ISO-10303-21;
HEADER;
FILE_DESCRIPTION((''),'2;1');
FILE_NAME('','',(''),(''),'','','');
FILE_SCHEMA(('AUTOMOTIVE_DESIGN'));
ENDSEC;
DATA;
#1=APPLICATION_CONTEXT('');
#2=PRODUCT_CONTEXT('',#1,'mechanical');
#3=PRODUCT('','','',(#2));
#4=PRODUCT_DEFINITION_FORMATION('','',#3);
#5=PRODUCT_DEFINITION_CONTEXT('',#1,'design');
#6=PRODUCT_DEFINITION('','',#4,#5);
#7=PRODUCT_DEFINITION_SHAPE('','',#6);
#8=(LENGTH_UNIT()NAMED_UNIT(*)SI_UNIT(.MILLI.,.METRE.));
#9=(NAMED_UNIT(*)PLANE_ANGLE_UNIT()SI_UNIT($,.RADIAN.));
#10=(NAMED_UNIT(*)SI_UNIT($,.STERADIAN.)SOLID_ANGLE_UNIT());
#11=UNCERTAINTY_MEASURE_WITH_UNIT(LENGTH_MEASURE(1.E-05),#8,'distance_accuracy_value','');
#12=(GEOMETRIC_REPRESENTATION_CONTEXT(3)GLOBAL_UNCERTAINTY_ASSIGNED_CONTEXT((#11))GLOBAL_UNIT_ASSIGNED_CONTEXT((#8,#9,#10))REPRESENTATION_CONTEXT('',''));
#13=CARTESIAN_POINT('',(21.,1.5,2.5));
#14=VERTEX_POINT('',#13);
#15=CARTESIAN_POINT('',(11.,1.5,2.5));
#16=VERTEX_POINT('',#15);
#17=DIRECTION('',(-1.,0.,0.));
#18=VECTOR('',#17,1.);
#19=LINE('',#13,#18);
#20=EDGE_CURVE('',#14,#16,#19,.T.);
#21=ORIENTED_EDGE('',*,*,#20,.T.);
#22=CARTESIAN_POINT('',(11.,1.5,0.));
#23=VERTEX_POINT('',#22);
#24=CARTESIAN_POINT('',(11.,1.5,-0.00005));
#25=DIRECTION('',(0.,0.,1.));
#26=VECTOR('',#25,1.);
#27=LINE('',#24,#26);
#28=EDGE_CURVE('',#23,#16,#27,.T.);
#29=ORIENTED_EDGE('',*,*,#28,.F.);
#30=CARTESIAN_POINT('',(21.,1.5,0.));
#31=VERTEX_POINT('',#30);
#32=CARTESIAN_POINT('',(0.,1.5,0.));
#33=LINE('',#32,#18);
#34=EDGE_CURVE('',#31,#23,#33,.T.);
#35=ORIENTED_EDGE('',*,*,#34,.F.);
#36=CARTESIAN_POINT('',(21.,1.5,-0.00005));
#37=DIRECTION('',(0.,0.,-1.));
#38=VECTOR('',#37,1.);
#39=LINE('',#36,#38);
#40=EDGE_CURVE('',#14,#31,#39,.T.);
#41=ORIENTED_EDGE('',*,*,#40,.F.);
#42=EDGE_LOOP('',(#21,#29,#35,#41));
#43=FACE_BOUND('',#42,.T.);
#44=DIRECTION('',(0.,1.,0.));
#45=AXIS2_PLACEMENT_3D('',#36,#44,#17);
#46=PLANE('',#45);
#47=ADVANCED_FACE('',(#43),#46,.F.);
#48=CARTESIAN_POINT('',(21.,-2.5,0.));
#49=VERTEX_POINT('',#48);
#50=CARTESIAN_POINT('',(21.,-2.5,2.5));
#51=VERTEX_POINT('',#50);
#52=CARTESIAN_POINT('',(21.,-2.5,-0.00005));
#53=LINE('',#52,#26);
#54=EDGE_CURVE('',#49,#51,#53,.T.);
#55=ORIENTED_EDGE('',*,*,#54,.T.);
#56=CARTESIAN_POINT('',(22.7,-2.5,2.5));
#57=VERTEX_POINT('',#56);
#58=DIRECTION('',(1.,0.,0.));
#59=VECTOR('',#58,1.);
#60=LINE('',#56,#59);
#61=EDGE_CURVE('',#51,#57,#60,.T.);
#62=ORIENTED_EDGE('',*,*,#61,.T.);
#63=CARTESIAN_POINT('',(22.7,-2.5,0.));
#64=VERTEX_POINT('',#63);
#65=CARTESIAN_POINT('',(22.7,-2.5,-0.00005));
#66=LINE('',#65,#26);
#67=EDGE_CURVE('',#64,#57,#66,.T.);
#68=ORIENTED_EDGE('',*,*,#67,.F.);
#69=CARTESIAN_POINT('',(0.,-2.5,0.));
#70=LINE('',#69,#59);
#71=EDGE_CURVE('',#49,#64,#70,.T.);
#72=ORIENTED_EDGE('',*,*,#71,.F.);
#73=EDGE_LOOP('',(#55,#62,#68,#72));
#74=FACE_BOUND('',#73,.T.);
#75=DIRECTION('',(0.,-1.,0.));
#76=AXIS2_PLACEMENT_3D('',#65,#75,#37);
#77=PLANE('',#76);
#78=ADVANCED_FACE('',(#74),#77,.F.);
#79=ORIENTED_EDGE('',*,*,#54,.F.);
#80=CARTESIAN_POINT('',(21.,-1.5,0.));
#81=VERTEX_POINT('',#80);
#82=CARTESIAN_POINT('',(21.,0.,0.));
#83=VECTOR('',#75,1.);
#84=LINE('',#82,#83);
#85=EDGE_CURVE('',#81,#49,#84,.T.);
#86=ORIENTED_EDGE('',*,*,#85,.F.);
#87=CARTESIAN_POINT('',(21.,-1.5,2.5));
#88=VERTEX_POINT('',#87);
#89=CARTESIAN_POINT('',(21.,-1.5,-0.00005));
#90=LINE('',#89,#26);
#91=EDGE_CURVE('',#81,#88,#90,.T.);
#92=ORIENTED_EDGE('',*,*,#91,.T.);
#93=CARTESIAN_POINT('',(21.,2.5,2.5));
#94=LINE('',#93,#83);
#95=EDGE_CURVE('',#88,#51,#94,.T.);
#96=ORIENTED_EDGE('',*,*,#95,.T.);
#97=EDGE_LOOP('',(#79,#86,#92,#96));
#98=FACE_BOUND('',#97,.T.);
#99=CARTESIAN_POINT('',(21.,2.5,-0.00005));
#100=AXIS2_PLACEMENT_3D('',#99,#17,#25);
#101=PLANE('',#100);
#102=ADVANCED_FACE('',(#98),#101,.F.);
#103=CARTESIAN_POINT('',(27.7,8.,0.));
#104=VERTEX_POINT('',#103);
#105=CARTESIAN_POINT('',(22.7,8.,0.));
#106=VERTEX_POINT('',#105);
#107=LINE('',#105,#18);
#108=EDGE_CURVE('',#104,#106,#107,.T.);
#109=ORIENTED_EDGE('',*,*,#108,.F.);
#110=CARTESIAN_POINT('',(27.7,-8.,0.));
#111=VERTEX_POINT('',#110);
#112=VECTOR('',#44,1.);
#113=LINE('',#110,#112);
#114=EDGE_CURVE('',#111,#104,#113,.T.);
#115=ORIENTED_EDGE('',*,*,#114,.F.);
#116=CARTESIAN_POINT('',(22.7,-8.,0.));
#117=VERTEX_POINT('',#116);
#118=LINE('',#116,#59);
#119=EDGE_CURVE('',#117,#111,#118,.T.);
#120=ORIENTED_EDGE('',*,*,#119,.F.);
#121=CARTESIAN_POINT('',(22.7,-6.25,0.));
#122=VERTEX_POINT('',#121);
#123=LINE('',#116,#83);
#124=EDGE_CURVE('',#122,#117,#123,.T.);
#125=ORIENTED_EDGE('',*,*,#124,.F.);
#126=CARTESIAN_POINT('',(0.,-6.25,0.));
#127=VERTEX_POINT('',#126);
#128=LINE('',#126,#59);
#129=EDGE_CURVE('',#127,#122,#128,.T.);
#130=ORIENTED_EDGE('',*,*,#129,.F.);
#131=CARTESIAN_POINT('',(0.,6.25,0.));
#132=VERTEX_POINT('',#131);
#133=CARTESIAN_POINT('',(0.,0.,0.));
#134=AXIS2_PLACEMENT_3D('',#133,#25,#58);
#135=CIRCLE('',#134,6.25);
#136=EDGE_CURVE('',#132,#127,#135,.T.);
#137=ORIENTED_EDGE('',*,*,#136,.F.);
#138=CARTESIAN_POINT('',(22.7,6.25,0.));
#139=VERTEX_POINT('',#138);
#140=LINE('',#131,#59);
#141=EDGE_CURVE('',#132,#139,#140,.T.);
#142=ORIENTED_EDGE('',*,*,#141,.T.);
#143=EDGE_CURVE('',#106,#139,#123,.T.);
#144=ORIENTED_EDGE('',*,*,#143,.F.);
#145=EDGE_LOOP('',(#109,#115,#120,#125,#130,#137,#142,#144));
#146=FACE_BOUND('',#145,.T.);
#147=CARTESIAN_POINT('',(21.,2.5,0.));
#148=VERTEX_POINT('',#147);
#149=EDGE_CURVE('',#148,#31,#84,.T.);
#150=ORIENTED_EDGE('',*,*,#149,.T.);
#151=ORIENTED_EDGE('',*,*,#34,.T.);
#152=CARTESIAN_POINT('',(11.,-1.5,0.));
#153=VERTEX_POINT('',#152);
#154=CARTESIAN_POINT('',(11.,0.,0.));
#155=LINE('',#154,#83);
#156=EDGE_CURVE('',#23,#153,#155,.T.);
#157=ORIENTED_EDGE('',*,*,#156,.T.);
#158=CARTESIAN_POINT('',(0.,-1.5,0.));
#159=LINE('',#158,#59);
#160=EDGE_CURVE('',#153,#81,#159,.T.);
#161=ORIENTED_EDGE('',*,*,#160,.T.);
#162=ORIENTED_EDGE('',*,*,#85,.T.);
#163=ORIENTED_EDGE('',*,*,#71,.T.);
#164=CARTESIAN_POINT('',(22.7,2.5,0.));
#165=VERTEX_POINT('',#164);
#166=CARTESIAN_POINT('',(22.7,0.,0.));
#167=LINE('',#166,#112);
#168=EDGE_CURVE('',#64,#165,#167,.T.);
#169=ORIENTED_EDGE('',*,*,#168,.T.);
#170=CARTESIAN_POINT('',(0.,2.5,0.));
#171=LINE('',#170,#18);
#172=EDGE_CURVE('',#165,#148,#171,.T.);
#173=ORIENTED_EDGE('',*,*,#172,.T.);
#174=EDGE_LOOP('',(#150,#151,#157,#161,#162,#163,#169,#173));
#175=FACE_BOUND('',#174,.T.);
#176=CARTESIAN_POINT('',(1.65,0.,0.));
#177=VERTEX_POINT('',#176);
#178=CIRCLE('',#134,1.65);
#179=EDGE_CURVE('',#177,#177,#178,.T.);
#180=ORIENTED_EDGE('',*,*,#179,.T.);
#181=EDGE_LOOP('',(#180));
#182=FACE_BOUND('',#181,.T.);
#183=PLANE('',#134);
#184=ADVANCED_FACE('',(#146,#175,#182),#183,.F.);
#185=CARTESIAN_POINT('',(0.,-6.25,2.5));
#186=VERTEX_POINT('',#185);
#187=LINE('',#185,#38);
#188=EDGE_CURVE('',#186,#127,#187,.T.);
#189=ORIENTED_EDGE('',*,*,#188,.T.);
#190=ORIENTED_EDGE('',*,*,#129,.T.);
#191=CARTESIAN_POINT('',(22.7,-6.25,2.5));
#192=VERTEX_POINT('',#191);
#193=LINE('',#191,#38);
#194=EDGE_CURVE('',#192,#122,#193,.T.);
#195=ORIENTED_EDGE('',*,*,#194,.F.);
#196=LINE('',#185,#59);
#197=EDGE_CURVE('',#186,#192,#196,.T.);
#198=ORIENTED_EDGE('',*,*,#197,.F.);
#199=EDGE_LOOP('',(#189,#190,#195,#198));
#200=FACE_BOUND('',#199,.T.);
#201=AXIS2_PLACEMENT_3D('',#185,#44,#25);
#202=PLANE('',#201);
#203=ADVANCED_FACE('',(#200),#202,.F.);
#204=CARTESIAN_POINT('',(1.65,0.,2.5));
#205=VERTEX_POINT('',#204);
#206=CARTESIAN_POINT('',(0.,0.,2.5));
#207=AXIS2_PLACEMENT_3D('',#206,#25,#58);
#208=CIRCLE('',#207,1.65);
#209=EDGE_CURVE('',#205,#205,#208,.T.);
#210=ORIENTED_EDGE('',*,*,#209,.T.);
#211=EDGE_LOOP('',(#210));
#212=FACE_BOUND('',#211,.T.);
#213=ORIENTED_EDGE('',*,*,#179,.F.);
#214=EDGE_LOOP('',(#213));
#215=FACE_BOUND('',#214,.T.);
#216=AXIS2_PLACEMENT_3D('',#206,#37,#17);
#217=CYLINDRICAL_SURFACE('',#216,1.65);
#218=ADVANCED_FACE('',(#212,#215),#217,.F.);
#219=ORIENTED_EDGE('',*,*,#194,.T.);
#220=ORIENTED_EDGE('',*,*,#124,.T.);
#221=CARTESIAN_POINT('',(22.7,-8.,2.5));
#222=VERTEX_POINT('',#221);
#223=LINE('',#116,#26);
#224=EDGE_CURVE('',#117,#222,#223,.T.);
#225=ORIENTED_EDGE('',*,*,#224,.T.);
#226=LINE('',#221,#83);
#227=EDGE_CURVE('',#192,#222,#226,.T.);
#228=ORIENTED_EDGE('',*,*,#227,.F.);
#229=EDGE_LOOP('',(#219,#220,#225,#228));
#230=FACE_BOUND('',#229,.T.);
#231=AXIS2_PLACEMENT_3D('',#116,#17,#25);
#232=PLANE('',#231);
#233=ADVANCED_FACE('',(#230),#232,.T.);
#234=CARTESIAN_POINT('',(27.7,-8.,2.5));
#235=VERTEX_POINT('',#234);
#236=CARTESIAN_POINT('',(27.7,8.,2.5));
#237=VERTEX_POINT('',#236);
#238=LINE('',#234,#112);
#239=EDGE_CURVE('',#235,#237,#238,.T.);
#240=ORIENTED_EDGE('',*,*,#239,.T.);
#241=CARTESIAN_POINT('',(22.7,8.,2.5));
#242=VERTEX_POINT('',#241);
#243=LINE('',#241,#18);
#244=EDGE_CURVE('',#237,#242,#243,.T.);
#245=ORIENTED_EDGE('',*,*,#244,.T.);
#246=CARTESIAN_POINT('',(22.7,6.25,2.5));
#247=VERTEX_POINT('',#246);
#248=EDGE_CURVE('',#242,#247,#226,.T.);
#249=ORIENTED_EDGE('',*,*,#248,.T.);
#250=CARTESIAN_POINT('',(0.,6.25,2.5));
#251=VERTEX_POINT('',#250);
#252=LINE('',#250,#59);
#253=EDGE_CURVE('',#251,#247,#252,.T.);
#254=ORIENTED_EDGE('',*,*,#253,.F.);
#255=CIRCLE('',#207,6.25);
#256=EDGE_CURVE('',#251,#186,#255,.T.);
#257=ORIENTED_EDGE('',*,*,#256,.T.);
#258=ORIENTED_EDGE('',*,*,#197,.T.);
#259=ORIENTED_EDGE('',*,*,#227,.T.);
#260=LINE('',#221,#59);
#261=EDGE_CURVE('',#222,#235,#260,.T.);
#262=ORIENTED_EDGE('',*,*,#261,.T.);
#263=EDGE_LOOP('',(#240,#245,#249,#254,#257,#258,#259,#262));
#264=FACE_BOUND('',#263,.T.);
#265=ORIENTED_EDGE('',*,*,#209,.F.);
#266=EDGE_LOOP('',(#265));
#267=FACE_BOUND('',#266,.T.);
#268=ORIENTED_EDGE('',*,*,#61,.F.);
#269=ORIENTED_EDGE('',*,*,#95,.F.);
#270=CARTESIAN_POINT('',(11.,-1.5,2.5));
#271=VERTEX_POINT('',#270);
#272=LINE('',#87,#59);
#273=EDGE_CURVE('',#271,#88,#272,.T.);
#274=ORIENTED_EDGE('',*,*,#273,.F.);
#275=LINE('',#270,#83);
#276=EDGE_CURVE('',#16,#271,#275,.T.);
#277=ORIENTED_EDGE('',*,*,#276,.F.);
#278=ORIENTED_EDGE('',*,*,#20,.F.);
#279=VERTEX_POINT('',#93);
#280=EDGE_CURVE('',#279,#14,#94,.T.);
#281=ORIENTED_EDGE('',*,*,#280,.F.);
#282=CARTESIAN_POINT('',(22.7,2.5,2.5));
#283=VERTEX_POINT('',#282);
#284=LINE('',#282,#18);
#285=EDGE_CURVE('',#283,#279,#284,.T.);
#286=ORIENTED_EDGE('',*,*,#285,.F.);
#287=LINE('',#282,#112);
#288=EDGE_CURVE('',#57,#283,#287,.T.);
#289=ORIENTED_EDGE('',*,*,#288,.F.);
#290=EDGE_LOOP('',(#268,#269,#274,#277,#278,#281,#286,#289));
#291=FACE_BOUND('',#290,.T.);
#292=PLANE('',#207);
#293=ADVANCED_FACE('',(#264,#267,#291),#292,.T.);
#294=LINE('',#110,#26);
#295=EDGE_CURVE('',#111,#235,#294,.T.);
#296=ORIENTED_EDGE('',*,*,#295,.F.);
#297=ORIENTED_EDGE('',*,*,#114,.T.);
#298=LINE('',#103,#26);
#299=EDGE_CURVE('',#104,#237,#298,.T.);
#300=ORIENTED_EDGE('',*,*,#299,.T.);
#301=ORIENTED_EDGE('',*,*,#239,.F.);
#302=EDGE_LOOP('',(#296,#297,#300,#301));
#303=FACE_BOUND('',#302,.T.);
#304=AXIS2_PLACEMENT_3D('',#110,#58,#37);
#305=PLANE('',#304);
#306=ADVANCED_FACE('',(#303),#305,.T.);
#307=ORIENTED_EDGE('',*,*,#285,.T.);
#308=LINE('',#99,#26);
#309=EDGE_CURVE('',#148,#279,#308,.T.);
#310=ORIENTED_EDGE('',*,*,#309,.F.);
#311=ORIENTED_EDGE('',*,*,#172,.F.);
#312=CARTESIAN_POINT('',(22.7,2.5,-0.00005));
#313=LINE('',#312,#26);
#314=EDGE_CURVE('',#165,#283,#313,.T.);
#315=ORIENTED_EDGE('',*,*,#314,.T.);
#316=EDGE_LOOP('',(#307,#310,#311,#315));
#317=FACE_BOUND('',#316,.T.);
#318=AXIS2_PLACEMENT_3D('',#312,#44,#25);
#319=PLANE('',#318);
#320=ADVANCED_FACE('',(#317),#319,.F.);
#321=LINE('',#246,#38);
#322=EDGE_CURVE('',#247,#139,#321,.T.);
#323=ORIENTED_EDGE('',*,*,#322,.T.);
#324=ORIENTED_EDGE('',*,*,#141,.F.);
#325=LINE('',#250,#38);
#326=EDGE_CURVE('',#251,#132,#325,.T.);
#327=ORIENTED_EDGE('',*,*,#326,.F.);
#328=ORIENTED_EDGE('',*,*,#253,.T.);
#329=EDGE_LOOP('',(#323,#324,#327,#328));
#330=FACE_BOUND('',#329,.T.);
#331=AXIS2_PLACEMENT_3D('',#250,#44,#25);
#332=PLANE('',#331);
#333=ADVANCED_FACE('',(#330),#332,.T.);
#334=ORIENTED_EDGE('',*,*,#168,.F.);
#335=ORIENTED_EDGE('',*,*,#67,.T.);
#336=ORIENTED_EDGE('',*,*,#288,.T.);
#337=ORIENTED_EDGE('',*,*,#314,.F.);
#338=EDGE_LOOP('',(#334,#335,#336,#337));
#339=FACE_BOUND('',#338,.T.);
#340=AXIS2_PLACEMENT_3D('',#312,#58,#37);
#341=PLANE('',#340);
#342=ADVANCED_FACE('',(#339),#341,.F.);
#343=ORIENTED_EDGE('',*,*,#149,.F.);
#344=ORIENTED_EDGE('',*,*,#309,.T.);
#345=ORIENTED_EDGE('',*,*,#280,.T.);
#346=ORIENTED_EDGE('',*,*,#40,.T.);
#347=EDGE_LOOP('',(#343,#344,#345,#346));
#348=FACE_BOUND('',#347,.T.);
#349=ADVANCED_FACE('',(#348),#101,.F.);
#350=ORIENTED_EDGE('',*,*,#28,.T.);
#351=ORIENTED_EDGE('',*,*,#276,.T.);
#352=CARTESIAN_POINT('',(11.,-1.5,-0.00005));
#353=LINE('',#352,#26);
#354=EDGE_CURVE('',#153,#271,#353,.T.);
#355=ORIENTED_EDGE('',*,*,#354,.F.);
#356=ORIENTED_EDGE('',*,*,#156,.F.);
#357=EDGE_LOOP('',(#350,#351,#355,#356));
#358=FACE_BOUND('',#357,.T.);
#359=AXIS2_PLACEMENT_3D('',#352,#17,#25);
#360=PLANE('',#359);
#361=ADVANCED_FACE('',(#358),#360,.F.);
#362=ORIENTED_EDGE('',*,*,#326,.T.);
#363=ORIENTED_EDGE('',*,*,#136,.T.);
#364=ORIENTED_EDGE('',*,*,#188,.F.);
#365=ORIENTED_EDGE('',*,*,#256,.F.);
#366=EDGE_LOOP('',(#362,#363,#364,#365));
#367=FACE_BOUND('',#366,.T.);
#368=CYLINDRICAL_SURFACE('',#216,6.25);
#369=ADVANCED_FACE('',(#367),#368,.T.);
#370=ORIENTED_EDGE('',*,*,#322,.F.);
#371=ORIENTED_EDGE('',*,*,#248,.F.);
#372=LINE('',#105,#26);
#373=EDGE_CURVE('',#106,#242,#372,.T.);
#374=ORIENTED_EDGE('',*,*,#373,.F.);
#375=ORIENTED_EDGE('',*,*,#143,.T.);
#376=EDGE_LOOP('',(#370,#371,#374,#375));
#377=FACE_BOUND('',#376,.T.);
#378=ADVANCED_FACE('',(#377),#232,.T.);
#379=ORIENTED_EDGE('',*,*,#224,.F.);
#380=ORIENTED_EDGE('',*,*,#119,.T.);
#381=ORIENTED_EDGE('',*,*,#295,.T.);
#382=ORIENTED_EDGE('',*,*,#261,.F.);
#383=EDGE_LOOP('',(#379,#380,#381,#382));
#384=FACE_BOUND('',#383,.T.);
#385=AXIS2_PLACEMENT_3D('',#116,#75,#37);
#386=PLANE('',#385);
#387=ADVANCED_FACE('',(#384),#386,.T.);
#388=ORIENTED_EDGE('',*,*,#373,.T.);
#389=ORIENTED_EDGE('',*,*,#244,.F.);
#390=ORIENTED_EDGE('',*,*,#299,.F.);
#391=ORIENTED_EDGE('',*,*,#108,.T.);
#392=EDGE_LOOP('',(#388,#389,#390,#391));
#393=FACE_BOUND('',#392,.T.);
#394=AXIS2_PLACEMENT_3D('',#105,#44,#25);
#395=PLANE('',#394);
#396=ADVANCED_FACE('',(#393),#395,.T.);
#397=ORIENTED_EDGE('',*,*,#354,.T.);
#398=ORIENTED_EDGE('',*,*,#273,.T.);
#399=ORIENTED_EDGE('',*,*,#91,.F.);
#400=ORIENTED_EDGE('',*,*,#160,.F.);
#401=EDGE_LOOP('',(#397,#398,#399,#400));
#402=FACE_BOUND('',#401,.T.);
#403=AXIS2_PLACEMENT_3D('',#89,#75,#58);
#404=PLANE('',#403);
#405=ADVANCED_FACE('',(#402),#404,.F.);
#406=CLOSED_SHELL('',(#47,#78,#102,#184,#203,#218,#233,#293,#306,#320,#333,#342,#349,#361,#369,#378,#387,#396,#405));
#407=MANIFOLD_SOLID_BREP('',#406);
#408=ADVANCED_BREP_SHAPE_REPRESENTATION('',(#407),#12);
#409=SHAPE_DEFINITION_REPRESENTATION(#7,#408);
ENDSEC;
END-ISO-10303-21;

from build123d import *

# Parameters (mm, degrees)
SKETCH1_R           = 1.65
SKETCH1_W           = 10
SKETCH1_H           = 12.5
BOSS_EXTRUDE1_DEPTH = 2.5
SKETCH2_W           = 5
SKETCH2_H           = 16
BOSS_EXTRUDE2_DEPTH = 2.5
SKETCH3_W           = 1.7
SKETCH3_H           = 5
CUT_EXTRUDE1_DEPTH  = 29.940283343
SKETCH5_W           = 10
SKETCH5_H           = 3
CUT_EXTRUDE2_DEPTH  = 29.940283343


with BuildPart() as part:
    # Sketch1 → Boss-Extrude1 (new body)
    # profile 1 of 2: a face of its own
    with BuildSketch(Plane.XY):
        with BuildLine():
            ThreePointArc((0, 6.25), (-6.25, 0), (0, -6.25))
            Line((0, -6.25), (12.7, -6.25))
            Line((12.7, -6.25), (12.7, 6.25))
            Line((12.7, 6.25), (0, 6.25))
        make_face()
        Circle(SKETCH1_R, mode=Mode.SUBTRACT)
    # profile 2 of 2: a face of its own
    with BuildSketch(Plane.XY):
        with Locations((17.7, 0)):
            Rectangle(SKETCH1_W, SKETCH1_H)
    extrude(amount=BOSS_EXTRUDE1_DEPTH)

    # Sketch2 → Boss-Extrude2 (add)
    with BuildSketch(Plane.XY.offset(2.5)):
        with Locations((25.2, 0)):
            Rectangle(SKETCH2_W, SKETCH2_H)
    extrude(amount=-BOSS_EXTRUDE2_DEPTH)

    # Sketch3 → Cut-Extrude1 (cut, through all)
    with BuildSketch(Plane.XY.offset(2.5)):
        with Locations((21.85, 0)):
            Rectangle(SKETCH3_W, SKETCH3_H)
    extrude(amount=-CUT_EXTRUDE1_DEPTH, mode=Mode.SUBTRACT)

    # Sketch5 → Cut-Extrude2 (cut, through all)
    with BuildSketch(Plane.XY.offset(2.5)):
        with Locations((16, 0)):
            Rectangle(SKETCH5_W, SKETCH5_H)
    extrude(amount=-CUT_EXTRUDE2_DEPTH, mode=Mode.SUBTRACT)


solid = part.part
